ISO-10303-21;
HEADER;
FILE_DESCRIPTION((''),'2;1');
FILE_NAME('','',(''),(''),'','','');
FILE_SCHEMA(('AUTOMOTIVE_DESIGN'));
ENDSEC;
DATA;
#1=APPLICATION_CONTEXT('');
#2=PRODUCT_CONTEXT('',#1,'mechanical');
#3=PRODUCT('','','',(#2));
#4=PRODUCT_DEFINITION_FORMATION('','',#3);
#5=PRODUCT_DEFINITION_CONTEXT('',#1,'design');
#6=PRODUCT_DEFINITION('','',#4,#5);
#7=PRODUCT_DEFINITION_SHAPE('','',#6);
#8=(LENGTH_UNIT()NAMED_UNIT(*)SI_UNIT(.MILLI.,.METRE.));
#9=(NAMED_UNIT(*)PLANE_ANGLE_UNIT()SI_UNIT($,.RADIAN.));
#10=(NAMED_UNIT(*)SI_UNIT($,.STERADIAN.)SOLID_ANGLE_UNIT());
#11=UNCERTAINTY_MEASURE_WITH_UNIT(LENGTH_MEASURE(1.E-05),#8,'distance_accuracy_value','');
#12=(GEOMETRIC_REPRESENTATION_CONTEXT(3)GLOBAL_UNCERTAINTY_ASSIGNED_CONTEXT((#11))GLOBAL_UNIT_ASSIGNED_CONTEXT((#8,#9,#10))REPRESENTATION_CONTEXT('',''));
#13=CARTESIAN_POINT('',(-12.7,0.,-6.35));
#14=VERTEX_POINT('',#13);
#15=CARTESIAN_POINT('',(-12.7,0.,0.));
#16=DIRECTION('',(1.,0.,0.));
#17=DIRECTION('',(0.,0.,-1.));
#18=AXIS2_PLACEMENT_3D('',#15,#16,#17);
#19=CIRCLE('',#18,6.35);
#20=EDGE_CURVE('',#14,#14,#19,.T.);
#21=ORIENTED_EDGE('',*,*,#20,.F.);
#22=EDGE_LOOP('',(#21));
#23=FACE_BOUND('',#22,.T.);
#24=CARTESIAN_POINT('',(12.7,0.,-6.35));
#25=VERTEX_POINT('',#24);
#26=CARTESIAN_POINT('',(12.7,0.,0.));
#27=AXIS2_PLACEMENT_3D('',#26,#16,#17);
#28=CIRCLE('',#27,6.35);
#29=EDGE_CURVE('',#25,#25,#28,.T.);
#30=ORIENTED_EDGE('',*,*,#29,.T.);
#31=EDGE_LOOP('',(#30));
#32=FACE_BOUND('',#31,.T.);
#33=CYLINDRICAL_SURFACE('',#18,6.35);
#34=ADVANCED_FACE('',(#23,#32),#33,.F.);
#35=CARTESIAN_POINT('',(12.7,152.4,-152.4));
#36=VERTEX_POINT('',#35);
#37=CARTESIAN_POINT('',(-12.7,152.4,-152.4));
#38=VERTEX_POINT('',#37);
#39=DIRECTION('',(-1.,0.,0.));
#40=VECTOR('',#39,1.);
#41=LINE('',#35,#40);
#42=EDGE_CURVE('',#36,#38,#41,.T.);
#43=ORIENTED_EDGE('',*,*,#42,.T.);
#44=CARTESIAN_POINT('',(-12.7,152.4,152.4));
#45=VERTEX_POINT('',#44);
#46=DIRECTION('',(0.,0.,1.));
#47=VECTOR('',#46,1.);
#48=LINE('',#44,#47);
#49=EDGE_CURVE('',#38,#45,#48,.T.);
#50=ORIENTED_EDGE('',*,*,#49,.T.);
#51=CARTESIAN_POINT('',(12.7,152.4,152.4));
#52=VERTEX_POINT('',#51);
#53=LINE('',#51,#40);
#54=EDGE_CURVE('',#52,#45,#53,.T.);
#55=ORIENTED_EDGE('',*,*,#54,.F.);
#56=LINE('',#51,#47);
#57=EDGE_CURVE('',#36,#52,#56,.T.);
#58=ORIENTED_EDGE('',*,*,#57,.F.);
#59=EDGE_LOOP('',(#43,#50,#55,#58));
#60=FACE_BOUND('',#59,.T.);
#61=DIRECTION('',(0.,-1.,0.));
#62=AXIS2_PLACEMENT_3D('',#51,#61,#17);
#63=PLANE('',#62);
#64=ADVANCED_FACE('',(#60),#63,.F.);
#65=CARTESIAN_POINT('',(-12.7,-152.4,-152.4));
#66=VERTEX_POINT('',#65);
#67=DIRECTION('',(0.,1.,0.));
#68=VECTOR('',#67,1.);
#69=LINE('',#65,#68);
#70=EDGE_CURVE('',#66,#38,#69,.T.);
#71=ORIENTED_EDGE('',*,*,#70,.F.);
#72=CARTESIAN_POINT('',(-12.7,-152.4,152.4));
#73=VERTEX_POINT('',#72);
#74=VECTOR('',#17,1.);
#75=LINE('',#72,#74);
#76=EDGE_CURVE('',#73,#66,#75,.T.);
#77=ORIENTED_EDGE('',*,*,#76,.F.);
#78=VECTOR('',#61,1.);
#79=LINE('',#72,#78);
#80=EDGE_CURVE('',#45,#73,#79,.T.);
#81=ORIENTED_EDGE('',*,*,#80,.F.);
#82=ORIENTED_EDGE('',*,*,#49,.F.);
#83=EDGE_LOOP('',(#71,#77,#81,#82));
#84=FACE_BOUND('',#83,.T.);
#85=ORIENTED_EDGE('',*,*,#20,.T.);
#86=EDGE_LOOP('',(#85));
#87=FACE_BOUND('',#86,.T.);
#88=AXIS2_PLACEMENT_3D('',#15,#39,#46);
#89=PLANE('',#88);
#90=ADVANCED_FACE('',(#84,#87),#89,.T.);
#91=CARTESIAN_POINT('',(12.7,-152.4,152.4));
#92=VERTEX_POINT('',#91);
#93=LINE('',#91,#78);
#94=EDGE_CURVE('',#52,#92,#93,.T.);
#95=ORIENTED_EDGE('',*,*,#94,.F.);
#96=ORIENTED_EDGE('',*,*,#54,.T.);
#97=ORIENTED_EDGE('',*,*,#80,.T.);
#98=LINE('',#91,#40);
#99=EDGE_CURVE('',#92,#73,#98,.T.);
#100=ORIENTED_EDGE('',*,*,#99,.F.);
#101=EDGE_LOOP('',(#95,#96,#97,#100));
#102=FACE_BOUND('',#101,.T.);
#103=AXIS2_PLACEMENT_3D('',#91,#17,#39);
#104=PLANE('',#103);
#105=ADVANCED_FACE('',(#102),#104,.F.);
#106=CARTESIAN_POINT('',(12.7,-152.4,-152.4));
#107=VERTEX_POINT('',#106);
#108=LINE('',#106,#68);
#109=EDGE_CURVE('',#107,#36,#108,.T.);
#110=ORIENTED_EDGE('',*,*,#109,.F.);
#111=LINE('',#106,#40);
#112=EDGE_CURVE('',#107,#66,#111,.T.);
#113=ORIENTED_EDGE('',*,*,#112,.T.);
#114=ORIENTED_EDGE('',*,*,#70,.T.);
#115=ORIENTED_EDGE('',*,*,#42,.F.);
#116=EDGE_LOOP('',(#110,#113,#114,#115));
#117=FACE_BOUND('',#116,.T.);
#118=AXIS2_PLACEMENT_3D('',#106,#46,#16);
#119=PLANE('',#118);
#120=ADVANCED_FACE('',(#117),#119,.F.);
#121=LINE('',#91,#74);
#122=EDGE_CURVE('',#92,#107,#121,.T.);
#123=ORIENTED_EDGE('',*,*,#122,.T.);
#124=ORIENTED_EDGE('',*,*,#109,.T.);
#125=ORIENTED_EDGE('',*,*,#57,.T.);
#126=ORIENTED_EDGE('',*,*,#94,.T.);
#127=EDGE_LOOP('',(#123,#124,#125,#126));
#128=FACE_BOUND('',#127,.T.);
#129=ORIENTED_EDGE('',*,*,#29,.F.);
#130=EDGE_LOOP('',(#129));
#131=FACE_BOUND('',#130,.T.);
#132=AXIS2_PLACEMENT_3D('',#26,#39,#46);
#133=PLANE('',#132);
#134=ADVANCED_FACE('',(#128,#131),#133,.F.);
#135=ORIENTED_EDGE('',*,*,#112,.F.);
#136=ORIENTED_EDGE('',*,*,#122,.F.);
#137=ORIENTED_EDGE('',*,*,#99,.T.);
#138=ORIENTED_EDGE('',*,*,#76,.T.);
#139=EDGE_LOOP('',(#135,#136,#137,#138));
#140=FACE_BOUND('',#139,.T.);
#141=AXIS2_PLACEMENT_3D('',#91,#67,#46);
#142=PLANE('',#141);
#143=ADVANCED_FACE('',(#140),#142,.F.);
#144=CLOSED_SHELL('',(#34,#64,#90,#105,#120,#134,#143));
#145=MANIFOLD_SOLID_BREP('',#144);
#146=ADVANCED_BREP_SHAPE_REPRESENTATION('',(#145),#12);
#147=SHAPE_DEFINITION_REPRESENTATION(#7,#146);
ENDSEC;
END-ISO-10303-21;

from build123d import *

# Parameters (mm, degrees)
SKETCH1_W               = 304.8
SKETCH1_H               = 304.8
BOSS_EXTRUDE1_DEPTH     = 12.7
CUT_EXTRUDE1_DEPTH      = 216.9
CUT_EXTRUDE1_DEPTH_BACK = 216.9
SKETCH2_R               = 6.35


with BuildPart() as part:
    # Sketch1 → Boss-Extrude1 (new, symmetric)
    with BuildSketch(Plane(origin=(0, 0, 0), x_dir=(0, 0, -1), z_dir=(1, 0, 0))):
        Rectangle(SKETCH1_W, SKETCH1_H)
    extrude(amount=BOSS_EXTRUDE1_DEPTH, both=True)

    # Sketch2 → Cut-Extrude1 (cut, two sides: drawn at the far end of the back side and taken through both)
    with BuildSketch(Plane(origin=(0, 0, 0), x_dir=(0, 0, -1), z_dir=(1, 0, 0)).offset(-CUT_EXTRUDE1_DEPTH_BACK)):
        Circle(SKETCH2_R)
    extrude(amount=CUT_EXTRUDE1_DEPTH + CUT_EXTRUDE1_DEPTH_BACK, mode=Mode.SUBTRACT)


solid = part.part
